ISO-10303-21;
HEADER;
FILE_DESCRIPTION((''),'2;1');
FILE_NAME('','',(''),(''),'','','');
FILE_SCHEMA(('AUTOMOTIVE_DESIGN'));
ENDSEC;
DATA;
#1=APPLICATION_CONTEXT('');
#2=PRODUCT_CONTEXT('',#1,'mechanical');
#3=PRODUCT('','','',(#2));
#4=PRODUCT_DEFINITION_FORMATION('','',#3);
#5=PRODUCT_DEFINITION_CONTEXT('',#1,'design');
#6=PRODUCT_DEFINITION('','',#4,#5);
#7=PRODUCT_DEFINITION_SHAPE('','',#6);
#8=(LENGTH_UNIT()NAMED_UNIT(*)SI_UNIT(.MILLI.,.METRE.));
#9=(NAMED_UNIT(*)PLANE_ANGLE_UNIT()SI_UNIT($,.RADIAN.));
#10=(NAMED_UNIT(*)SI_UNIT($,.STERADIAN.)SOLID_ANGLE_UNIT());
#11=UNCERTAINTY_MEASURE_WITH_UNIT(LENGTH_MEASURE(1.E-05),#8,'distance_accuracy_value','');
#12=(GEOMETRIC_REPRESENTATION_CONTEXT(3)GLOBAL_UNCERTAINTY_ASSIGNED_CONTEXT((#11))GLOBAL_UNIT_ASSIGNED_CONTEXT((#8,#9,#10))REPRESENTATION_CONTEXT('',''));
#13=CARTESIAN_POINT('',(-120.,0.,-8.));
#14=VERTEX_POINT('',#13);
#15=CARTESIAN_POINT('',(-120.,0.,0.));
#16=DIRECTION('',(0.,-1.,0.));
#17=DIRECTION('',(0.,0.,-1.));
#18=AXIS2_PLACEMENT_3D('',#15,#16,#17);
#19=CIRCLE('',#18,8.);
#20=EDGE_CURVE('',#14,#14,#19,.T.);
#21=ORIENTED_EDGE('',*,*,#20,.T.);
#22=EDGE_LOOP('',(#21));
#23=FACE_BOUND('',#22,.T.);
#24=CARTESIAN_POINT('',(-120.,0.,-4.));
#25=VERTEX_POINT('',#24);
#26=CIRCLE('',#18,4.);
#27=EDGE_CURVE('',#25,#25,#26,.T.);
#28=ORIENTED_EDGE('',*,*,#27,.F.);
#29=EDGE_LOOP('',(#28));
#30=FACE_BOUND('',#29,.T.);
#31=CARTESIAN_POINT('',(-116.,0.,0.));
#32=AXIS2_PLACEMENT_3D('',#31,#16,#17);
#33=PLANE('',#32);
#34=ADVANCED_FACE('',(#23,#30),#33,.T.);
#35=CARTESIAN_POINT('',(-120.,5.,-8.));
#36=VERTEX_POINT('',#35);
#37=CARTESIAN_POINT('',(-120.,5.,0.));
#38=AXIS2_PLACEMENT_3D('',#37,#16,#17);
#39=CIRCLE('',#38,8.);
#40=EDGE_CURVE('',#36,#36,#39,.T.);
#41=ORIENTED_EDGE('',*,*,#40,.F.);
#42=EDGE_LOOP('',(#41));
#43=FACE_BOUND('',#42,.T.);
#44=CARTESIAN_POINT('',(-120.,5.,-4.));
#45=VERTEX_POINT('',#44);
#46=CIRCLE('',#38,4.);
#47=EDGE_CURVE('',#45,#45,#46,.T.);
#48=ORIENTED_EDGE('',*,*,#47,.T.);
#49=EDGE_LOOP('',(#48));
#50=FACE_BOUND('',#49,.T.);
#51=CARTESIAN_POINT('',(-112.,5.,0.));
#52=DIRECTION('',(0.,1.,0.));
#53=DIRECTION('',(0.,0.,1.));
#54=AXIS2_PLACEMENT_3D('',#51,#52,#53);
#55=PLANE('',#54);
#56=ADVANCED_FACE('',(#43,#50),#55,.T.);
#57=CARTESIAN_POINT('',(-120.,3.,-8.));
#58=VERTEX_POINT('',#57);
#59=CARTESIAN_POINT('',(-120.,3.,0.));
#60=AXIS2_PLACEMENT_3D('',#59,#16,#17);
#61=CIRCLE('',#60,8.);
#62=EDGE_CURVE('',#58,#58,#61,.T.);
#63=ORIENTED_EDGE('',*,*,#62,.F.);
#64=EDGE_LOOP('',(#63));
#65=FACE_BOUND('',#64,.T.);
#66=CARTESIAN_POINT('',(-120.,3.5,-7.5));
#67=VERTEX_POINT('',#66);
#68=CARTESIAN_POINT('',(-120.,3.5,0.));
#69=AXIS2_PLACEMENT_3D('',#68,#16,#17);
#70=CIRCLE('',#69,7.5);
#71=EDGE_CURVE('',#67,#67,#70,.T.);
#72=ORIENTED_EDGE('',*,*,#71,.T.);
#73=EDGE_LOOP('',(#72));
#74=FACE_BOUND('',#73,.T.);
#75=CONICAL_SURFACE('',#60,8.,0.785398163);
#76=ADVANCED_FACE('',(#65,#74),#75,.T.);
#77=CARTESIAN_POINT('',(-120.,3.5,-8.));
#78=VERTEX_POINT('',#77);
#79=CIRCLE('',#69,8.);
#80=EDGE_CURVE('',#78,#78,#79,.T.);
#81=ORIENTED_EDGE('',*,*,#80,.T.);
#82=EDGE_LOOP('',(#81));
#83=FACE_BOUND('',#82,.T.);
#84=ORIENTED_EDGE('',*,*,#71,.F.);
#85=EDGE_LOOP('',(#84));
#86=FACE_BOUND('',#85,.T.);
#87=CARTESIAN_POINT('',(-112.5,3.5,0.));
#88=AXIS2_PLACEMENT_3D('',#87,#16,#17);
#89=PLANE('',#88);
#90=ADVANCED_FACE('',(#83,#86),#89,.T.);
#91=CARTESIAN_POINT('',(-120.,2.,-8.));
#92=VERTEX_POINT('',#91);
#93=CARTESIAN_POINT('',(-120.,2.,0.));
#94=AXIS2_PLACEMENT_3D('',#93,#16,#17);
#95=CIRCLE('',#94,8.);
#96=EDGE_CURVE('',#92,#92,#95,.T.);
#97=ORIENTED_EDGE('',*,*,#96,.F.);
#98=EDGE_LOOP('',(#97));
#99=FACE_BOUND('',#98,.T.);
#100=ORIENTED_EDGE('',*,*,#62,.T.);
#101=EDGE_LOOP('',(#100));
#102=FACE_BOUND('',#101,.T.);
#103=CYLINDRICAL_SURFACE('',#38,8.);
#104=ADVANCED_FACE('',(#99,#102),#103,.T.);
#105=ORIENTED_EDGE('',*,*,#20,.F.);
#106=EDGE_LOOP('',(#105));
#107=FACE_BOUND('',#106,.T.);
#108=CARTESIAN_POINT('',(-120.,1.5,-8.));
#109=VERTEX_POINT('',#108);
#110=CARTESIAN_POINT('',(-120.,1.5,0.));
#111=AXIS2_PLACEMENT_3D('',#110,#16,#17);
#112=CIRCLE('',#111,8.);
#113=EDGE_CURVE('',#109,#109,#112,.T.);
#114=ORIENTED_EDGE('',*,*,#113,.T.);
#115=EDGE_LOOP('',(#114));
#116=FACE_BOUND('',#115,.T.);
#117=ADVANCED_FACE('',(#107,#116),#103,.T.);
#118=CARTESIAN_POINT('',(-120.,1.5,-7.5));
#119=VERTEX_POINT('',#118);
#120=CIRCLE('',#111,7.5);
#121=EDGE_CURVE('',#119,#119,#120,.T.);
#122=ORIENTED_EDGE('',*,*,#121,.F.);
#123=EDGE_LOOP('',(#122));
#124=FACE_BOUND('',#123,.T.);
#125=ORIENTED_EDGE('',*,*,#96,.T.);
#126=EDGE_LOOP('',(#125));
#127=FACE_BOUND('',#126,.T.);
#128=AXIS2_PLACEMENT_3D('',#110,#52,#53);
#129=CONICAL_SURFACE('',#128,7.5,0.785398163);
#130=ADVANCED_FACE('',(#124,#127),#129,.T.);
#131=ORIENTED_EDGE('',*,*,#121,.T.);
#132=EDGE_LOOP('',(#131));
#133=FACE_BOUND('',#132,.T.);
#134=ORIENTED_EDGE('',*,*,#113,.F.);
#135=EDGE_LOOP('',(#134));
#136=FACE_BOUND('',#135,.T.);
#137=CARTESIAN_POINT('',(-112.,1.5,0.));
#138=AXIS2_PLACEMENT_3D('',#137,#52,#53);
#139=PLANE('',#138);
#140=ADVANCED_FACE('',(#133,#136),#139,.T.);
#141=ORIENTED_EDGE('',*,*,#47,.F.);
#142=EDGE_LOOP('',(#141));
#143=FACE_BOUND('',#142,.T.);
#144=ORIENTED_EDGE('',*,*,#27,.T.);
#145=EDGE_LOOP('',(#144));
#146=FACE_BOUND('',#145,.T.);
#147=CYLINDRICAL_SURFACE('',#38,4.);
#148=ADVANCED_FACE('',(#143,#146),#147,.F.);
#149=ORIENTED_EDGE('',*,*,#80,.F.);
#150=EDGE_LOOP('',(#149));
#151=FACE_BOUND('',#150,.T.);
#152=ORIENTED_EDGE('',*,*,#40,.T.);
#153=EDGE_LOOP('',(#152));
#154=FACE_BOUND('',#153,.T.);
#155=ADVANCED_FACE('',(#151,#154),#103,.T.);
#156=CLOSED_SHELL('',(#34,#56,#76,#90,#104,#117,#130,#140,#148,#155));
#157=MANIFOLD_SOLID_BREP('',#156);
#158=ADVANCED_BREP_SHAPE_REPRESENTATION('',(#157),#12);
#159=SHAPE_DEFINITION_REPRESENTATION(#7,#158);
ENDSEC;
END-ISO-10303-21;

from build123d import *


with BuildPart() as part:
    # 草图1 → 旋转1 (revolve)
    with BuildSketch(Plane.XY):
        Polygon((-112, 5), (-116, 5), (-116, 0), (-112, 0), (-112, 1.5), (-112.5, 1.5), (-112, 2), (-112, 3), (-112.5, 3.5), (-112, 3.5), align=None)
    revolve(axis=Axis((-120, 5, 0), (0, -1, 0)))


solid = part.part
